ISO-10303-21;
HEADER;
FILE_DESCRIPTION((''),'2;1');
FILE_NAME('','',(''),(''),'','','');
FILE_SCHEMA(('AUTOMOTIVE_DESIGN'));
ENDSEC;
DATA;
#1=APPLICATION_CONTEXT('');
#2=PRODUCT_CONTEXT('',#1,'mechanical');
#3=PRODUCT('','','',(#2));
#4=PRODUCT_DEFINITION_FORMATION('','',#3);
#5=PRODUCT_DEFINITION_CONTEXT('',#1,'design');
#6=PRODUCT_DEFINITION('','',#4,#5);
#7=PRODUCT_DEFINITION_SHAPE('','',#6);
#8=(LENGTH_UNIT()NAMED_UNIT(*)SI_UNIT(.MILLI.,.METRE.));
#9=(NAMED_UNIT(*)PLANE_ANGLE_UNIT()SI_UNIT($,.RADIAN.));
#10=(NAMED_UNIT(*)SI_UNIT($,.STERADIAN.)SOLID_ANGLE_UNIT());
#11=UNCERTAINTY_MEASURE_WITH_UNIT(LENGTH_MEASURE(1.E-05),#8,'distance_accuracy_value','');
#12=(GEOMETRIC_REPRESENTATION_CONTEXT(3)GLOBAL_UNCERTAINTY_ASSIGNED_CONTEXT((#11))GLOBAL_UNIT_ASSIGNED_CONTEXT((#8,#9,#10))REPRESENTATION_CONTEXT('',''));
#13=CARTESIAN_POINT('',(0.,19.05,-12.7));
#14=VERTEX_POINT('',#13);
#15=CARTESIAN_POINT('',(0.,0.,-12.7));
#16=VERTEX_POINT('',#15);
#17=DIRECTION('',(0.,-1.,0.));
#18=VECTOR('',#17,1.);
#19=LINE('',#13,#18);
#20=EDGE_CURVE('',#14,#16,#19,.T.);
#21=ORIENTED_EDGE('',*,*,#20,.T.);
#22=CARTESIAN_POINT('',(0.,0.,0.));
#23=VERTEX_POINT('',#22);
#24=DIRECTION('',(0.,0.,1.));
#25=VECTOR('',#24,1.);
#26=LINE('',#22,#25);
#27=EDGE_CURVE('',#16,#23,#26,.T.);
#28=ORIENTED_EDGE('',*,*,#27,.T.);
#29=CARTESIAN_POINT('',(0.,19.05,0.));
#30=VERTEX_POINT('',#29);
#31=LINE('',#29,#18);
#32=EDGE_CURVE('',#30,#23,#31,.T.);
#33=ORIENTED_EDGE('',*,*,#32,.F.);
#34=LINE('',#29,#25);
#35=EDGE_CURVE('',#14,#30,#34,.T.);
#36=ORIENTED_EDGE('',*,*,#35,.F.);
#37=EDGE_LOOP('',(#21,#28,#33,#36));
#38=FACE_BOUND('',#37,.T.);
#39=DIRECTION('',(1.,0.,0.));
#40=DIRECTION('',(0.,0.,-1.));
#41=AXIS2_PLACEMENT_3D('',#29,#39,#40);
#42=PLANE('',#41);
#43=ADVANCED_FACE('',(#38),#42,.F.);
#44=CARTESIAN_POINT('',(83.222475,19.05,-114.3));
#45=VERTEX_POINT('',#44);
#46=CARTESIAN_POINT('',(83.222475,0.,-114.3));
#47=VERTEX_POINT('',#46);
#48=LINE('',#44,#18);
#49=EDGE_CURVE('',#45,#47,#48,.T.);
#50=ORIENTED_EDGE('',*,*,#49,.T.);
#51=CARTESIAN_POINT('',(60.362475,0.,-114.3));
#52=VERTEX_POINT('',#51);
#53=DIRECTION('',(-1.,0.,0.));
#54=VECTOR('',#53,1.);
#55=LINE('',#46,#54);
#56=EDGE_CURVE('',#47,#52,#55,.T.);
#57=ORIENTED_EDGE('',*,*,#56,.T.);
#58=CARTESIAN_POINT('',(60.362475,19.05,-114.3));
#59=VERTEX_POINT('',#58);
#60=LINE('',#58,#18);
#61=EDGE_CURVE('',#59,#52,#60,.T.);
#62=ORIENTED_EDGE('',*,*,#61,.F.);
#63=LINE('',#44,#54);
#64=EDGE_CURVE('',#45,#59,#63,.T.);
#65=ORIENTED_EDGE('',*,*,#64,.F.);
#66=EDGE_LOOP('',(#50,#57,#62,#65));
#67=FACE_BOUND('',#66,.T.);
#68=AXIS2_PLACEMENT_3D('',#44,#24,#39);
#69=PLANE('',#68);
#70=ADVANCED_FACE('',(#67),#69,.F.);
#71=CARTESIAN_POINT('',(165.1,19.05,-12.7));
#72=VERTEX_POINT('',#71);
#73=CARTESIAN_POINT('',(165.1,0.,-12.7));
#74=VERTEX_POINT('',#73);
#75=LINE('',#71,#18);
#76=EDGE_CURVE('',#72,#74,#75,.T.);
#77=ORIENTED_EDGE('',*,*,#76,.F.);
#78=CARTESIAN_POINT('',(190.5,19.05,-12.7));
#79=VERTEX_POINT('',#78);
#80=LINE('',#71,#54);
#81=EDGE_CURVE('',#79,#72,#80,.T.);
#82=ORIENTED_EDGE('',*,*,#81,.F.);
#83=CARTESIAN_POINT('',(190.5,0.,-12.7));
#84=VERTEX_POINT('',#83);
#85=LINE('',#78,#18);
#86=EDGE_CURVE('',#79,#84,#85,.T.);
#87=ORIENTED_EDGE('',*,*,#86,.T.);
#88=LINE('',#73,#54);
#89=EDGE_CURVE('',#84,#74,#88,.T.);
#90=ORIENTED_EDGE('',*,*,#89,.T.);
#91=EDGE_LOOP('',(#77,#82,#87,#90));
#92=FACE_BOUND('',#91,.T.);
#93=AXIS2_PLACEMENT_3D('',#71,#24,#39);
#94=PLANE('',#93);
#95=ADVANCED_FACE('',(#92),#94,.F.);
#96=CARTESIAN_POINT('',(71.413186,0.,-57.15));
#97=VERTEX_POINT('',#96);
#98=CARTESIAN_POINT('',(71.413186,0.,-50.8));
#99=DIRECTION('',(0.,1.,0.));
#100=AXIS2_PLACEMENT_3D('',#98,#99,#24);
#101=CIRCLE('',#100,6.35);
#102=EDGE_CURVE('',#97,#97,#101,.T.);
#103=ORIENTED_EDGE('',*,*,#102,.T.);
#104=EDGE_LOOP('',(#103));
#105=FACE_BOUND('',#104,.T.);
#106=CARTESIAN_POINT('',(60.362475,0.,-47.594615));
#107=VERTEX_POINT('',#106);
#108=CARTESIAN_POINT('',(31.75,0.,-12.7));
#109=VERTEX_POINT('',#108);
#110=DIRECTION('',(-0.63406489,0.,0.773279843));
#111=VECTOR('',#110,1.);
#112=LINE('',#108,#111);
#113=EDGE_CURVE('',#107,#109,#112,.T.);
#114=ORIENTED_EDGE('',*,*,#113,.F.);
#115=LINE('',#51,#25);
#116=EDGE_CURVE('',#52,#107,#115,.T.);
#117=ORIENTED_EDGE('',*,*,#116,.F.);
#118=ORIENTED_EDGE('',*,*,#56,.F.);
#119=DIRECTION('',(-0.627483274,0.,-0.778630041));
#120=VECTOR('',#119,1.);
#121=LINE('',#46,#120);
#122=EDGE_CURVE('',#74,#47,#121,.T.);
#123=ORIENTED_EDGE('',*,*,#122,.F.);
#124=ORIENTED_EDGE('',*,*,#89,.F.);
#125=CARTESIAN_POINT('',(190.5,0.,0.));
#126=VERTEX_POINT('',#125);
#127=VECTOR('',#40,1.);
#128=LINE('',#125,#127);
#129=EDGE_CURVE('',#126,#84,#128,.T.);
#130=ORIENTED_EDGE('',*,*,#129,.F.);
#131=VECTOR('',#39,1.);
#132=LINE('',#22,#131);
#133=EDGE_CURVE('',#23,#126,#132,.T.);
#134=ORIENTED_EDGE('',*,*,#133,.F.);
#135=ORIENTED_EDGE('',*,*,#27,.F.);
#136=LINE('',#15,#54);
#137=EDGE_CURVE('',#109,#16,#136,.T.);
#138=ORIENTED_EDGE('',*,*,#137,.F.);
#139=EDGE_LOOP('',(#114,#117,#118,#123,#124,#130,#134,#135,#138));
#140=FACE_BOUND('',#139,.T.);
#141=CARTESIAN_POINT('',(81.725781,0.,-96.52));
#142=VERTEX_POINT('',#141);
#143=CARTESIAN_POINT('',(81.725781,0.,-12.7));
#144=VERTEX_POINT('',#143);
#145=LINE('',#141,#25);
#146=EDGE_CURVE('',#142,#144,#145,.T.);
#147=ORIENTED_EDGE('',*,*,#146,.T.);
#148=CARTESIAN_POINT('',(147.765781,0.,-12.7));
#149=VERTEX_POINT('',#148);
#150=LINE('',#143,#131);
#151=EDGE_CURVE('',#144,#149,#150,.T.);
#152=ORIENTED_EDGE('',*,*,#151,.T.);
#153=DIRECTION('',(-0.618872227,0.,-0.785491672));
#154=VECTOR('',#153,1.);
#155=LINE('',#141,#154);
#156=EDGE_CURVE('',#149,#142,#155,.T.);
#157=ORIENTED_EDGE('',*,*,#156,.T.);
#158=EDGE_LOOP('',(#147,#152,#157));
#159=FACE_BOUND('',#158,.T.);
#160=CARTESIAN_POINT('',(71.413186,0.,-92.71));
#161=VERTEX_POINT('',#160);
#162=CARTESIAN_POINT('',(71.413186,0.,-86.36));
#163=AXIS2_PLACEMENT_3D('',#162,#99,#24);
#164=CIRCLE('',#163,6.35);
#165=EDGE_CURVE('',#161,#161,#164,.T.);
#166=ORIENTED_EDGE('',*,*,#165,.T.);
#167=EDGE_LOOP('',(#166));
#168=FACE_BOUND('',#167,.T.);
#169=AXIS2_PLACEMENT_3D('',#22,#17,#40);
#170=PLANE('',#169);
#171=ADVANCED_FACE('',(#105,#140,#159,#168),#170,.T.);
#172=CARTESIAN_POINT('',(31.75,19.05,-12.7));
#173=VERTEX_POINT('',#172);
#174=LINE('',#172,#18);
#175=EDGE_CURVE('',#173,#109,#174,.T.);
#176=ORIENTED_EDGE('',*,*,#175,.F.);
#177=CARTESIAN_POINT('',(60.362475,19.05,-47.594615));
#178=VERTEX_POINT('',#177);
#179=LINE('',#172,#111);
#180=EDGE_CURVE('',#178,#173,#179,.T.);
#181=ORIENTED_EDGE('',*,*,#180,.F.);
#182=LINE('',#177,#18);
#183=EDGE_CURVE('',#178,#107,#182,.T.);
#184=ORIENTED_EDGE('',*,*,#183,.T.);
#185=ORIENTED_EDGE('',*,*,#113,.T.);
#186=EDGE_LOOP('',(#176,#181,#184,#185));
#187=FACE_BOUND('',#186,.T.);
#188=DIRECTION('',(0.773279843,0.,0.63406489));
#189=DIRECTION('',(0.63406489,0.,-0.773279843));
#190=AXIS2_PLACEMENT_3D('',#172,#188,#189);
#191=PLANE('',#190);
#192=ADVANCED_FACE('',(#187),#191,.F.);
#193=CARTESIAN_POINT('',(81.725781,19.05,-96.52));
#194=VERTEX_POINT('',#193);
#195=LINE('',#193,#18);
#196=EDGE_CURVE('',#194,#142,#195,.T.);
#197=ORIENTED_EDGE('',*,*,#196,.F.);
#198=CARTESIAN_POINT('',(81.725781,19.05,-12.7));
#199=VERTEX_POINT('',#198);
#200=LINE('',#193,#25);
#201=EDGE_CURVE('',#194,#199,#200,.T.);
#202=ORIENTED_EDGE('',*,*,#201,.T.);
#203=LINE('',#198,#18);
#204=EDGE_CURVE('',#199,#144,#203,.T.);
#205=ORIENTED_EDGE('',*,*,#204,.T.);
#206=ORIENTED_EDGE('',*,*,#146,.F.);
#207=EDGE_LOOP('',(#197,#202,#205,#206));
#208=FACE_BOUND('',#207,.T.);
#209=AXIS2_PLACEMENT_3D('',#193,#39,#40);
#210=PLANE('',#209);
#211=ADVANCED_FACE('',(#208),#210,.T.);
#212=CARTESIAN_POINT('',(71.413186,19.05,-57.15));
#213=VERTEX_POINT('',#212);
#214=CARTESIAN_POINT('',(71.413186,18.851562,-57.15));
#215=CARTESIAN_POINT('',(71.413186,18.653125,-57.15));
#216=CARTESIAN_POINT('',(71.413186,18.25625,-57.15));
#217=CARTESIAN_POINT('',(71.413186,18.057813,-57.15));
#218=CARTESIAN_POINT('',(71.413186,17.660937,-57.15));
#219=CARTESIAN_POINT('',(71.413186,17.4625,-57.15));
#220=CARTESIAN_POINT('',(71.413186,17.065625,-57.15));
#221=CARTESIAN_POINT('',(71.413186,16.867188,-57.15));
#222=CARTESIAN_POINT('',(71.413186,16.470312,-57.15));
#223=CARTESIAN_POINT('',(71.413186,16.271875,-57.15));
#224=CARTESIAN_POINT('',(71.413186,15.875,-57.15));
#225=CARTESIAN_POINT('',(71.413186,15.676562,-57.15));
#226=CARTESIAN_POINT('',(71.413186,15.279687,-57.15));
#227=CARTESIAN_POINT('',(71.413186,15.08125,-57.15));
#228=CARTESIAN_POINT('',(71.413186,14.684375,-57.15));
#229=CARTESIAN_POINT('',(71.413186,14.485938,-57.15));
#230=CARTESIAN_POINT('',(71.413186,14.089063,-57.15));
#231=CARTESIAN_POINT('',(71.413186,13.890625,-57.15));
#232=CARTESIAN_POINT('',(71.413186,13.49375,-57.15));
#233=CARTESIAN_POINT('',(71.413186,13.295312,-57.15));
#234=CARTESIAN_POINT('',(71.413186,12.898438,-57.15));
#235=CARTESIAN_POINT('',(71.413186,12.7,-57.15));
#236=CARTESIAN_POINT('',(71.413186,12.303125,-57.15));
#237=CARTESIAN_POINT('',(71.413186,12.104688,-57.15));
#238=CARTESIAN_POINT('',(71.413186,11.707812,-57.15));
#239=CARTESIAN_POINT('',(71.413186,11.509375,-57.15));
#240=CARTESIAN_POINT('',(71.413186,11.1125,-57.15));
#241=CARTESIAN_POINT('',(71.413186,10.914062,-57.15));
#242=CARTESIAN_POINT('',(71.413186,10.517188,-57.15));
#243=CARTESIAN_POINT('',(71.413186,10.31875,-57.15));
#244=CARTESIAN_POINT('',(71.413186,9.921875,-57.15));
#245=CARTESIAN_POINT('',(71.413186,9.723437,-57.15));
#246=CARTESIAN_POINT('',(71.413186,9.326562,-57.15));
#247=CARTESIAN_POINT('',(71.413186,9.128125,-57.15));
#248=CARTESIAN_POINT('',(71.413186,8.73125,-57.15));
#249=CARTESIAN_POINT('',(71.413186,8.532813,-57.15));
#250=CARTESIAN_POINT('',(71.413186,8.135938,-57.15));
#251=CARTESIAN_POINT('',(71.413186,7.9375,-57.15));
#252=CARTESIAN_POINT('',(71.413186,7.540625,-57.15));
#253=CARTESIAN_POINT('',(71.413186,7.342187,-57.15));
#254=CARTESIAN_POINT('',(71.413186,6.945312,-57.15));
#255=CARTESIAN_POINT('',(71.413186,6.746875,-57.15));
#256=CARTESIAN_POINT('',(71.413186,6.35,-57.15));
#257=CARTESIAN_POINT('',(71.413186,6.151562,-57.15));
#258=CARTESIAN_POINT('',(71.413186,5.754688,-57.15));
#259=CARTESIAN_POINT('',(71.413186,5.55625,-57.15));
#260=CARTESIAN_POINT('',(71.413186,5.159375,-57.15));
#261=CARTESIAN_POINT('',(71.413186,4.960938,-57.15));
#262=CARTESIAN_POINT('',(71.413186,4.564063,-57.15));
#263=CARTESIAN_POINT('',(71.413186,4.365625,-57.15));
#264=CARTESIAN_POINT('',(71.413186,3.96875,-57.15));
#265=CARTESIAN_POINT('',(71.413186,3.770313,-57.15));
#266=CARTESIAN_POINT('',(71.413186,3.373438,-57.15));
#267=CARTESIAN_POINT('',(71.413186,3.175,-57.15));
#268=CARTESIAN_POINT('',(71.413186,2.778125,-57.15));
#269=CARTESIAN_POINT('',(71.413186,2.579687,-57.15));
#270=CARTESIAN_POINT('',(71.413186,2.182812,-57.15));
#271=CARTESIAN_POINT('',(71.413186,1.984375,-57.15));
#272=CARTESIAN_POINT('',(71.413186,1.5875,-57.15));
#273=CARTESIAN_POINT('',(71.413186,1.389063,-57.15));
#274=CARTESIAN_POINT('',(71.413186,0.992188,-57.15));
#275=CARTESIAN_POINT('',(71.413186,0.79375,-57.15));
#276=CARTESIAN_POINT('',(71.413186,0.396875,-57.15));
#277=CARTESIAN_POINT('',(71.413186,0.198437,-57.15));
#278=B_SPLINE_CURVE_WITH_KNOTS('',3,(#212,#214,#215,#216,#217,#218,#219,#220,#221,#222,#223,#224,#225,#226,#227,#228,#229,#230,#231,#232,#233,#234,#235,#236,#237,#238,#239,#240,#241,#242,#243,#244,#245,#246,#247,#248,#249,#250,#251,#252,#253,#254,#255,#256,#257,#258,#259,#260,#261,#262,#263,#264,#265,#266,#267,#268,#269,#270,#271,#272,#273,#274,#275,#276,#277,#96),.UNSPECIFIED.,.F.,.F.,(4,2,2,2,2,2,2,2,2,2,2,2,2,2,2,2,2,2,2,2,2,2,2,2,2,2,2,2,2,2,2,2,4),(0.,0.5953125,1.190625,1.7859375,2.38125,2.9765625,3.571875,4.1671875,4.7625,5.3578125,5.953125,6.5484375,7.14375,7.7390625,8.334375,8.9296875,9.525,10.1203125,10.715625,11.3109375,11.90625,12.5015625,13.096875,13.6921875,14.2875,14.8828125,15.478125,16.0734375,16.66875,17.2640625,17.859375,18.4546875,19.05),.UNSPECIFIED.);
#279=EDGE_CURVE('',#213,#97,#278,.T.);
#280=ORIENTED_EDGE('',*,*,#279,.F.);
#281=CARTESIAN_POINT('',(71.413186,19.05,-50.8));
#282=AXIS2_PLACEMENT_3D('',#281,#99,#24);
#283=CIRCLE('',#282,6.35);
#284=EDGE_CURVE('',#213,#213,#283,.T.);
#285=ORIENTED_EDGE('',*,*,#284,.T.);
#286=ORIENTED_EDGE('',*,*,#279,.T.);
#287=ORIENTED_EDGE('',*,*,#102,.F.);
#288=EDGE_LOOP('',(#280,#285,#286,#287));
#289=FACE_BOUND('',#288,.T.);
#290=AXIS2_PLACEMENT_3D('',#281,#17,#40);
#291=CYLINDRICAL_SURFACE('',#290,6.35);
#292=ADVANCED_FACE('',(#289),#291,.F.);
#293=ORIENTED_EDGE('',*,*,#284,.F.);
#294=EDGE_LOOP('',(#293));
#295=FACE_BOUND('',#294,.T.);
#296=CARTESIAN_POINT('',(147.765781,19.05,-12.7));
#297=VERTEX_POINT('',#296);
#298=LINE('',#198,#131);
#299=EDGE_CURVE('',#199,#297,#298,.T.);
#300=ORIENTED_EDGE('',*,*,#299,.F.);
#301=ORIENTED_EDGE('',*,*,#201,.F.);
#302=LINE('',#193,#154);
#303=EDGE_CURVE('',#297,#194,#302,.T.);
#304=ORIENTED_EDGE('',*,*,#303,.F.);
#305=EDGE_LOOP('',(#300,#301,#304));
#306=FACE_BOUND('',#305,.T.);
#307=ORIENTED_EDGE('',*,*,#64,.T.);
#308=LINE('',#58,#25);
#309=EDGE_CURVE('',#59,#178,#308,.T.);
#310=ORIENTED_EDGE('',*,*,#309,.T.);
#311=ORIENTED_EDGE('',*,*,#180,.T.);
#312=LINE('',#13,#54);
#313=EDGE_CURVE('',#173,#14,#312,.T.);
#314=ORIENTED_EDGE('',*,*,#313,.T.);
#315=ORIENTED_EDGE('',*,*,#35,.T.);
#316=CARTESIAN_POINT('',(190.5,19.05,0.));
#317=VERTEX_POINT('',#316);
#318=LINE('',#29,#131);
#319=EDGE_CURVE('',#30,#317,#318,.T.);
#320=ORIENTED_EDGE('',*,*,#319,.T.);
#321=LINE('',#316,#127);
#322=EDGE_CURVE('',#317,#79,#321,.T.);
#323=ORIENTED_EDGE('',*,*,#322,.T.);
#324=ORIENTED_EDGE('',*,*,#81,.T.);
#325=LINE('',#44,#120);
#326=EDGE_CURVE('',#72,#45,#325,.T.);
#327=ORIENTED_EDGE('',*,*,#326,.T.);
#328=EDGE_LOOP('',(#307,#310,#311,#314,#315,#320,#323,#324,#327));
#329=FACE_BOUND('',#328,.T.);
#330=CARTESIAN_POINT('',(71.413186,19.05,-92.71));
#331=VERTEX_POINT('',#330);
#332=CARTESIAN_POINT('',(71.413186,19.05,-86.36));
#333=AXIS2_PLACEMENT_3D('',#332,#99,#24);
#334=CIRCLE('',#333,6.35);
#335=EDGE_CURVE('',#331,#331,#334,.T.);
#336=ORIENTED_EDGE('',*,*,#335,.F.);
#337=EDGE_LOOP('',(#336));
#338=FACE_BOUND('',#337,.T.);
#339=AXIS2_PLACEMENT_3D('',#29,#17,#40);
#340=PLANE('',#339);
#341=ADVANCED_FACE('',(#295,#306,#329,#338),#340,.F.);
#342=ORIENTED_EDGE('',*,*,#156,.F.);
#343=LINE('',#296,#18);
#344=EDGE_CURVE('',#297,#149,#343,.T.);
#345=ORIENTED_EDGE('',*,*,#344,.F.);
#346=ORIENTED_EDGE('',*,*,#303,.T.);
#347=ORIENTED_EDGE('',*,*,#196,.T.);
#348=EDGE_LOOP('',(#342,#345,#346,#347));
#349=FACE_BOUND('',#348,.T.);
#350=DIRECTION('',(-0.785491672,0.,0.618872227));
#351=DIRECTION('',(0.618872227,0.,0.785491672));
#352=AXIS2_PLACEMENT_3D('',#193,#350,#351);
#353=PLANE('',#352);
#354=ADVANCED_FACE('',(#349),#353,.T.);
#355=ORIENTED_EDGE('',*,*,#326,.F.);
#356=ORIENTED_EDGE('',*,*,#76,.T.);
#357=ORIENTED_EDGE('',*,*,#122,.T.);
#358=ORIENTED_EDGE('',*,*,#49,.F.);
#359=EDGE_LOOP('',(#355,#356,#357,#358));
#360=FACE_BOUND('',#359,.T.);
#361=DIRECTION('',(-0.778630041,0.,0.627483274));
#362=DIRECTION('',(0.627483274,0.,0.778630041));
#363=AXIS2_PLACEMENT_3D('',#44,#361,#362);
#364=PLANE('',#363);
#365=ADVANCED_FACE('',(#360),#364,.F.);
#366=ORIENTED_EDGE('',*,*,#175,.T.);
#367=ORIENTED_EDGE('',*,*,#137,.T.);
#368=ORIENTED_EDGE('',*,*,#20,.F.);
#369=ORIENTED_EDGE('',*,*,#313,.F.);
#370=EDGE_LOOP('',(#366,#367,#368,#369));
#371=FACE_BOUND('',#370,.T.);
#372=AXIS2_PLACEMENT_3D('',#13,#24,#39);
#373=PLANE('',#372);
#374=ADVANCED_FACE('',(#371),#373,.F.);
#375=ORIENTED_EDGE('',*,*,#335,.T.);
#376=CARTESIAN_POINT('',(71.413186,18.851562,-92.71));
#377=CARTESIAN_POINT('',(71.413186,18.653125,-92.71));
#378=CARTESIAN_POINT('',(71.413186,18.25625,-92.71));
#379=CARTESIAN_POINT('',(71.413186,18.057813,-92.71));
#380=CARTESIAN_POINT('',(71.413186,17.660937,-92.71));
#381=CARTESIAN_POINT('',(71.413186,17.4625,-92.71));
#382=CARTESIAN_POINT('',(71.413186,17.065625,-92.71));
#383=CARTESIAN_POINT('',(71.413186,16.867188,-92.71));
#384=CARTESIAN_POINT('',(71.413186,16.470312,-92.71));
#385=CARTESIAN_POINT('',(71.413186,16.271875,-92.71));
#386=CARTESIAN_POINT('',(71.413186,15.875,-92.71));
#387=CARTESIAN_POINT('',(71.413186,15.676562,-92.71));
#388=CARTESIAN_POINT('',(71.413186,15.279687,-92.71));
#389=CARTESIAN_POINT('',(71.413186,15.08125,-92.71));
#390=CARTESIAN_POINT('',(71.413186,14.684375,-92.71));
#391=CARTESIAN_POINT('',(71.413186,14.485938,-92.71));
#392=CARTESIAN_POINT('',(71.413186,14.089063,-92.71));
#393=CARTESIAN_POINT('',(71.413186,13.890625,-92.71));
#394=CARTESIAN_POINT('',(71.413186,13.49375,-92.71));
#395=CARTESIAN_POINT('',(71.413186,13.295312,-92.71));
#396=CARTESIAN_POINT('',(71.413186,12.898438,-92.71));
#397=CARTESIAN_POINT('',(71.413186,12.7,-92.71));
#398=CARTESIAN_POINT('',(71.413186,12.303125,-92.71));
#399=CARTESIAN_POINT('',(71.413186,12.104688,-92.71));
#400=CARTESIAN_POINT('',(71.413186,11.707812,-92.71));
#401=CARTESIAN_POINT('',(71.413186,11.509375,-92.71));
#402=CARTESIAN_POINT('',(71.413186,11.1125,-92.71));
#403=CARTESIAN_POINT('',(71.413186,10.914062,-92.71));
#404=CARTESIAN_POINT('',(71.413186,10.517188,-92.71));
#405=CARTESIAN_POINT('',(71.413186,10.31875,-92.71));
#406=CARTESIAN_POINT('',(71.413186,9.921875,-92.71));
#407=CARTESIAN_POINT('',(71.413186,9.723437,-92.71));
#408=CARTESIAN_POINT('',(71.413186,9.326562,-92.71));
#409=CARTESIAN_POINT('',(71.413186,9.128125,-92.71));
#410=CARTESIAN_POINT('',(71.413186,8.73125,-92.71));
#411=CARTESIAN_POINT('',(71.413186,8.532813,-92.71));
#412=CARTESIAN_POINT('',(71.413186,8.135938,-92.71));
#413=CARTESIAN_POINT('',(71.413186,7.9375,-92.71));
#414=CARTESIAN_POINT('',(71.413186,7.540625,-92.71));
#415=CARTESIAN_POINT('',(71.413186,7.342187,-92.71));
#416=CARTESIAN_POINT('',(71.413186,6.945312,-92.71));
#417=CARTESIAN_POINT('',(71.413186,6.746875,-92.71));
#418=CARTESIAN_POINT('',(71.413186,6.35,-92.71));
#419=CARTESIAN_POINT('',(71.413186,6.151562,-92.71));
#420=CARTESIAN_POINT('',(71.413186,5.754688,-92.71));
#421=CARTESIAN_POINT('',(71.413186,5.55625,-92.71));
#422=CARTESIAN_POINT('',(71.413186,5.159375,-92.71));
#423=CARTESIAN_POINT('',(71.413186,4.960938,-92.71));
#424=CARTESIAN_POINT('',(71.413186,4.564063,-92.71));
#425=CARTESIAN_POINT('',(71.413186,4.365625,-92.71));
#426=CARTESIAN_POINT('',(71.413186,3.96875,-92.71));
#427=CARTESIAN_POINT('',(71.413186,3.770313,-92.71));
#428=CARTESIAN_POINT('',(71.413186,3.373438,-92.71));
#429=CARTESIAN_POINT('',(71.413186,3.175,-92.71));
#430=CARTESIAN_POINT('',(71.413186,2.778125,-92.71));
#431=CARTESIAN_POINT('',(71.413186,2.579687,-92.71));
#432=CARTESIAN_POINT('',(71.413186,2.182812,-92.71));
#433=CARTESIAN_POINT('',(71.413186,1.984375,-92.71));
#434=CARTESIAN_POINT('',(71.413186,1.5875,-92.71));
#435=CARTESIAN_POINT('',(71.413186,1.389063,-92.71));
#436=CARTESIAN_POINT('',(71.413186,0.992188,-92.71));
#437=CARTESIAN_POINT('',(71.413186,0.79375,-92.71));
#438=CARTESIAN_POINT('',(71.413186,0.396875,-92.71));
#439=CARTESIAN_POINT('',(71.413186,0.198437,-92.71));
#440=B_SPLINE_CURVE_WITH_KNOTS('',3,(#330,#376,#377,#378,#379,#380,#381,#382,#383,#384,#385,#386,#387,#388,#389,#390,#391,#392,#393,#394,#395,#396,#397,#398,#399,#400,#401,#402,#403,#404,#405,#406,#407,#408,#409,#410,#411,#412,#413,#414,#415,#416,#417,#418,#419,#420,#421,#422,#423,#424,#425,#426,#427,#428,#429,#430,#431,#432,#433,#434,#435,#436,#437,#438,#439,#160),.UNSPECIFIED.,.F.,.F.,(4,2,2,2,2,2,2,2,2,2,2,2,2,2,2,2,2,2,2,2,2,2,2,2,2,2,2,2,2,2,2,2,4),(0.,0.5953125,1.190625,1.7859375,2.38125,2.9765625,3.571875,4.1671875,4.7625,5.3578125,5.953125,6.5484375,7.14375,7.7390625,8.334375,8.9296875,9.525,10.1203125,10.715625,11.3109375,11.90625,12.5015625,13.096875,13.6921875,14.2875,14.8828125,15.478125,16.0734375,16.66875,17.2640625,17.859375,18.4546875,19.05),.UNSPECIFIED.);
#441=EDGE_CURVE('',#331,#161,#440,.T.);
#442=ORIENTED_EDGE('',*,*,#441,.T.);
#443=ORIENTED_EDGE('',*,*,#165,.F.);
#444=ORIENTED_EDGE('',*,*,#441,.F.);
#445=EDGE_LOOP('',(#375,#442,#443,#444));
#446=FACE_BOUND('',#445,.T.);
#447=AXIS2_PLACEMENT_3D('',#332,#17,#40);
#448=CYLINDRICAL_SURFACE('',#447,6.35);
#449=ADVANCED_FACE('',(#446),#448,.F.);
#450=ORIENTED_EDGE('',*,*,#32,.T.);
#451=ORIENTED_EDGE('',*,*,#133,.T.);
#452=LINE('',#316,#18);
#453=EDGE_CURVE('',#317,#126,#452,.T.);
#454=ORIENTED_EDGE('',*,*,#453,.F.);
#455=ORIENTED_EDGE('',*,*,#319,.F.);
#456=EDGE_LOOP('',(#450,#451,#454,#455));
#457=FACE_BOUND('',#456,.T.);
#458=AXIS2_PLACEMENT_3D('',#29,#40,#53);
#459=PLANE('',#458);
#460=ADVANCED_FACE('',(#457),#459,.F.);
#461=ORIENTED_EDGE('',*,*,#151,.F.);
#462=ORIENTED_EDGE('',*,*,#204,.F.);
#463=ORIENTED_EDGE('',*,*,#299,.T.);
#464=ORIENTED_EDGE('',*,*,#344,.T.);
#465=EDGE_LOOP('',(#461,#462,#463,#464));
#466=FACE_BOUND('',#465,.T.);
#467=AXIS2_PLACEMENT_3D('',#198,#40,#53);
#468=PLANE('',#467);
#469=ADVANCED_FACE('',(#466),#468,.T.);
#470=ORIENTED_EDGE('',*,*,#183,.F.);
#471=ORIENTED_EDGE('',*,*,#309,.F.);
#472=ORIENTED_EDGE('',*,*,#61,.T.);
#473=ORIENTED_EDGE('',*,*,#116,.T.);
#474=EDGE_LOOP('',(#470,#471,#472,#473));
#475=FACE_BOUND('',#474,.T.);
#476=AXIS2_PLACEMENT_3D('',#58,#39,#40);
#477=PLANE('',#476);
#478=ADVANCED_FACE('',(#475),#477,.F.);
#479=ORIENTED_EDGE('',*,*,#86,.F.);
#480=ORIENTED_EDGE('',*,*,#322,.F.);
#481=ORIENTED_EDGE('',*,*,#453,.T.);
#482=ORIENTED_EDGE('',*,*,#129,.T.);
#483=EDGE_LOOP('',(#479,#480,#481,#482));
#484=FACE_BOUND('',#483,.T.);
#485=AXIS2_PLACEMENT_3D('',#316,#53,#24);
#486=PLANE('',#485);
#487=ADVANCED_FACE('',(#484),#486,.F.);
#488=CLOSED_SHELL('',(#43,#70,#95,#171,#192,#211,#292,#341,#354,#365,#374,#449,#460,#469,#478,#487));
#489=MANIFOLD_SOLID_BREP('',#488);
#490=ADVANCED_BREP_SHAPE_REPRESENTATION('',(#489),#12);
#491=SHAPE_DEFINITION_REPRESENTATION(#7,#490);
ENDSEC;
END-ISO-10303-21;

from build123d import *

# Parameters (mm, degrees)
SKETCH1_R           = 6.35
BOSS_EXTRUDE1_DEPTH = 19.05


with BuildPart() as part:
    # Sketch1 → Boss-Extrude1 (new body)
    with BuildSketch(Plane(origin=(0, 0, 0), x_dir=(1, 0, 0), z_dir=(0, 1, 0))):
        Polygon((0, 0), (190.5, 0), (190.5, 12.7), (165.1, 12.7), (83.222475072, 114.3), (60.362475072, 114.3), (60.362475072, 47.594615045), (31.75, 12.7), (0, 12.7), align=None)
        with Locations(Location((71.413185557, 86.36, 0), (0, 0, 90))):
            Circle(SKETCH1_R, mode=Mode.SUBTRACT)
        with Locations(Location((71.413185557, 50.8, 0), (0, 0, 90))):
            Circle(SKETCH1_R, mode=Mode.SUBTRACT)
        Polygon((81.72578072, 96.52), (81.72578072, 12.7), (147.76578072, 12.7), align=None, mode=Mode.SUBTRACT)
    extrude(amount=BOSS_EXTRUDE1_DEPTH)


solid = part.part
